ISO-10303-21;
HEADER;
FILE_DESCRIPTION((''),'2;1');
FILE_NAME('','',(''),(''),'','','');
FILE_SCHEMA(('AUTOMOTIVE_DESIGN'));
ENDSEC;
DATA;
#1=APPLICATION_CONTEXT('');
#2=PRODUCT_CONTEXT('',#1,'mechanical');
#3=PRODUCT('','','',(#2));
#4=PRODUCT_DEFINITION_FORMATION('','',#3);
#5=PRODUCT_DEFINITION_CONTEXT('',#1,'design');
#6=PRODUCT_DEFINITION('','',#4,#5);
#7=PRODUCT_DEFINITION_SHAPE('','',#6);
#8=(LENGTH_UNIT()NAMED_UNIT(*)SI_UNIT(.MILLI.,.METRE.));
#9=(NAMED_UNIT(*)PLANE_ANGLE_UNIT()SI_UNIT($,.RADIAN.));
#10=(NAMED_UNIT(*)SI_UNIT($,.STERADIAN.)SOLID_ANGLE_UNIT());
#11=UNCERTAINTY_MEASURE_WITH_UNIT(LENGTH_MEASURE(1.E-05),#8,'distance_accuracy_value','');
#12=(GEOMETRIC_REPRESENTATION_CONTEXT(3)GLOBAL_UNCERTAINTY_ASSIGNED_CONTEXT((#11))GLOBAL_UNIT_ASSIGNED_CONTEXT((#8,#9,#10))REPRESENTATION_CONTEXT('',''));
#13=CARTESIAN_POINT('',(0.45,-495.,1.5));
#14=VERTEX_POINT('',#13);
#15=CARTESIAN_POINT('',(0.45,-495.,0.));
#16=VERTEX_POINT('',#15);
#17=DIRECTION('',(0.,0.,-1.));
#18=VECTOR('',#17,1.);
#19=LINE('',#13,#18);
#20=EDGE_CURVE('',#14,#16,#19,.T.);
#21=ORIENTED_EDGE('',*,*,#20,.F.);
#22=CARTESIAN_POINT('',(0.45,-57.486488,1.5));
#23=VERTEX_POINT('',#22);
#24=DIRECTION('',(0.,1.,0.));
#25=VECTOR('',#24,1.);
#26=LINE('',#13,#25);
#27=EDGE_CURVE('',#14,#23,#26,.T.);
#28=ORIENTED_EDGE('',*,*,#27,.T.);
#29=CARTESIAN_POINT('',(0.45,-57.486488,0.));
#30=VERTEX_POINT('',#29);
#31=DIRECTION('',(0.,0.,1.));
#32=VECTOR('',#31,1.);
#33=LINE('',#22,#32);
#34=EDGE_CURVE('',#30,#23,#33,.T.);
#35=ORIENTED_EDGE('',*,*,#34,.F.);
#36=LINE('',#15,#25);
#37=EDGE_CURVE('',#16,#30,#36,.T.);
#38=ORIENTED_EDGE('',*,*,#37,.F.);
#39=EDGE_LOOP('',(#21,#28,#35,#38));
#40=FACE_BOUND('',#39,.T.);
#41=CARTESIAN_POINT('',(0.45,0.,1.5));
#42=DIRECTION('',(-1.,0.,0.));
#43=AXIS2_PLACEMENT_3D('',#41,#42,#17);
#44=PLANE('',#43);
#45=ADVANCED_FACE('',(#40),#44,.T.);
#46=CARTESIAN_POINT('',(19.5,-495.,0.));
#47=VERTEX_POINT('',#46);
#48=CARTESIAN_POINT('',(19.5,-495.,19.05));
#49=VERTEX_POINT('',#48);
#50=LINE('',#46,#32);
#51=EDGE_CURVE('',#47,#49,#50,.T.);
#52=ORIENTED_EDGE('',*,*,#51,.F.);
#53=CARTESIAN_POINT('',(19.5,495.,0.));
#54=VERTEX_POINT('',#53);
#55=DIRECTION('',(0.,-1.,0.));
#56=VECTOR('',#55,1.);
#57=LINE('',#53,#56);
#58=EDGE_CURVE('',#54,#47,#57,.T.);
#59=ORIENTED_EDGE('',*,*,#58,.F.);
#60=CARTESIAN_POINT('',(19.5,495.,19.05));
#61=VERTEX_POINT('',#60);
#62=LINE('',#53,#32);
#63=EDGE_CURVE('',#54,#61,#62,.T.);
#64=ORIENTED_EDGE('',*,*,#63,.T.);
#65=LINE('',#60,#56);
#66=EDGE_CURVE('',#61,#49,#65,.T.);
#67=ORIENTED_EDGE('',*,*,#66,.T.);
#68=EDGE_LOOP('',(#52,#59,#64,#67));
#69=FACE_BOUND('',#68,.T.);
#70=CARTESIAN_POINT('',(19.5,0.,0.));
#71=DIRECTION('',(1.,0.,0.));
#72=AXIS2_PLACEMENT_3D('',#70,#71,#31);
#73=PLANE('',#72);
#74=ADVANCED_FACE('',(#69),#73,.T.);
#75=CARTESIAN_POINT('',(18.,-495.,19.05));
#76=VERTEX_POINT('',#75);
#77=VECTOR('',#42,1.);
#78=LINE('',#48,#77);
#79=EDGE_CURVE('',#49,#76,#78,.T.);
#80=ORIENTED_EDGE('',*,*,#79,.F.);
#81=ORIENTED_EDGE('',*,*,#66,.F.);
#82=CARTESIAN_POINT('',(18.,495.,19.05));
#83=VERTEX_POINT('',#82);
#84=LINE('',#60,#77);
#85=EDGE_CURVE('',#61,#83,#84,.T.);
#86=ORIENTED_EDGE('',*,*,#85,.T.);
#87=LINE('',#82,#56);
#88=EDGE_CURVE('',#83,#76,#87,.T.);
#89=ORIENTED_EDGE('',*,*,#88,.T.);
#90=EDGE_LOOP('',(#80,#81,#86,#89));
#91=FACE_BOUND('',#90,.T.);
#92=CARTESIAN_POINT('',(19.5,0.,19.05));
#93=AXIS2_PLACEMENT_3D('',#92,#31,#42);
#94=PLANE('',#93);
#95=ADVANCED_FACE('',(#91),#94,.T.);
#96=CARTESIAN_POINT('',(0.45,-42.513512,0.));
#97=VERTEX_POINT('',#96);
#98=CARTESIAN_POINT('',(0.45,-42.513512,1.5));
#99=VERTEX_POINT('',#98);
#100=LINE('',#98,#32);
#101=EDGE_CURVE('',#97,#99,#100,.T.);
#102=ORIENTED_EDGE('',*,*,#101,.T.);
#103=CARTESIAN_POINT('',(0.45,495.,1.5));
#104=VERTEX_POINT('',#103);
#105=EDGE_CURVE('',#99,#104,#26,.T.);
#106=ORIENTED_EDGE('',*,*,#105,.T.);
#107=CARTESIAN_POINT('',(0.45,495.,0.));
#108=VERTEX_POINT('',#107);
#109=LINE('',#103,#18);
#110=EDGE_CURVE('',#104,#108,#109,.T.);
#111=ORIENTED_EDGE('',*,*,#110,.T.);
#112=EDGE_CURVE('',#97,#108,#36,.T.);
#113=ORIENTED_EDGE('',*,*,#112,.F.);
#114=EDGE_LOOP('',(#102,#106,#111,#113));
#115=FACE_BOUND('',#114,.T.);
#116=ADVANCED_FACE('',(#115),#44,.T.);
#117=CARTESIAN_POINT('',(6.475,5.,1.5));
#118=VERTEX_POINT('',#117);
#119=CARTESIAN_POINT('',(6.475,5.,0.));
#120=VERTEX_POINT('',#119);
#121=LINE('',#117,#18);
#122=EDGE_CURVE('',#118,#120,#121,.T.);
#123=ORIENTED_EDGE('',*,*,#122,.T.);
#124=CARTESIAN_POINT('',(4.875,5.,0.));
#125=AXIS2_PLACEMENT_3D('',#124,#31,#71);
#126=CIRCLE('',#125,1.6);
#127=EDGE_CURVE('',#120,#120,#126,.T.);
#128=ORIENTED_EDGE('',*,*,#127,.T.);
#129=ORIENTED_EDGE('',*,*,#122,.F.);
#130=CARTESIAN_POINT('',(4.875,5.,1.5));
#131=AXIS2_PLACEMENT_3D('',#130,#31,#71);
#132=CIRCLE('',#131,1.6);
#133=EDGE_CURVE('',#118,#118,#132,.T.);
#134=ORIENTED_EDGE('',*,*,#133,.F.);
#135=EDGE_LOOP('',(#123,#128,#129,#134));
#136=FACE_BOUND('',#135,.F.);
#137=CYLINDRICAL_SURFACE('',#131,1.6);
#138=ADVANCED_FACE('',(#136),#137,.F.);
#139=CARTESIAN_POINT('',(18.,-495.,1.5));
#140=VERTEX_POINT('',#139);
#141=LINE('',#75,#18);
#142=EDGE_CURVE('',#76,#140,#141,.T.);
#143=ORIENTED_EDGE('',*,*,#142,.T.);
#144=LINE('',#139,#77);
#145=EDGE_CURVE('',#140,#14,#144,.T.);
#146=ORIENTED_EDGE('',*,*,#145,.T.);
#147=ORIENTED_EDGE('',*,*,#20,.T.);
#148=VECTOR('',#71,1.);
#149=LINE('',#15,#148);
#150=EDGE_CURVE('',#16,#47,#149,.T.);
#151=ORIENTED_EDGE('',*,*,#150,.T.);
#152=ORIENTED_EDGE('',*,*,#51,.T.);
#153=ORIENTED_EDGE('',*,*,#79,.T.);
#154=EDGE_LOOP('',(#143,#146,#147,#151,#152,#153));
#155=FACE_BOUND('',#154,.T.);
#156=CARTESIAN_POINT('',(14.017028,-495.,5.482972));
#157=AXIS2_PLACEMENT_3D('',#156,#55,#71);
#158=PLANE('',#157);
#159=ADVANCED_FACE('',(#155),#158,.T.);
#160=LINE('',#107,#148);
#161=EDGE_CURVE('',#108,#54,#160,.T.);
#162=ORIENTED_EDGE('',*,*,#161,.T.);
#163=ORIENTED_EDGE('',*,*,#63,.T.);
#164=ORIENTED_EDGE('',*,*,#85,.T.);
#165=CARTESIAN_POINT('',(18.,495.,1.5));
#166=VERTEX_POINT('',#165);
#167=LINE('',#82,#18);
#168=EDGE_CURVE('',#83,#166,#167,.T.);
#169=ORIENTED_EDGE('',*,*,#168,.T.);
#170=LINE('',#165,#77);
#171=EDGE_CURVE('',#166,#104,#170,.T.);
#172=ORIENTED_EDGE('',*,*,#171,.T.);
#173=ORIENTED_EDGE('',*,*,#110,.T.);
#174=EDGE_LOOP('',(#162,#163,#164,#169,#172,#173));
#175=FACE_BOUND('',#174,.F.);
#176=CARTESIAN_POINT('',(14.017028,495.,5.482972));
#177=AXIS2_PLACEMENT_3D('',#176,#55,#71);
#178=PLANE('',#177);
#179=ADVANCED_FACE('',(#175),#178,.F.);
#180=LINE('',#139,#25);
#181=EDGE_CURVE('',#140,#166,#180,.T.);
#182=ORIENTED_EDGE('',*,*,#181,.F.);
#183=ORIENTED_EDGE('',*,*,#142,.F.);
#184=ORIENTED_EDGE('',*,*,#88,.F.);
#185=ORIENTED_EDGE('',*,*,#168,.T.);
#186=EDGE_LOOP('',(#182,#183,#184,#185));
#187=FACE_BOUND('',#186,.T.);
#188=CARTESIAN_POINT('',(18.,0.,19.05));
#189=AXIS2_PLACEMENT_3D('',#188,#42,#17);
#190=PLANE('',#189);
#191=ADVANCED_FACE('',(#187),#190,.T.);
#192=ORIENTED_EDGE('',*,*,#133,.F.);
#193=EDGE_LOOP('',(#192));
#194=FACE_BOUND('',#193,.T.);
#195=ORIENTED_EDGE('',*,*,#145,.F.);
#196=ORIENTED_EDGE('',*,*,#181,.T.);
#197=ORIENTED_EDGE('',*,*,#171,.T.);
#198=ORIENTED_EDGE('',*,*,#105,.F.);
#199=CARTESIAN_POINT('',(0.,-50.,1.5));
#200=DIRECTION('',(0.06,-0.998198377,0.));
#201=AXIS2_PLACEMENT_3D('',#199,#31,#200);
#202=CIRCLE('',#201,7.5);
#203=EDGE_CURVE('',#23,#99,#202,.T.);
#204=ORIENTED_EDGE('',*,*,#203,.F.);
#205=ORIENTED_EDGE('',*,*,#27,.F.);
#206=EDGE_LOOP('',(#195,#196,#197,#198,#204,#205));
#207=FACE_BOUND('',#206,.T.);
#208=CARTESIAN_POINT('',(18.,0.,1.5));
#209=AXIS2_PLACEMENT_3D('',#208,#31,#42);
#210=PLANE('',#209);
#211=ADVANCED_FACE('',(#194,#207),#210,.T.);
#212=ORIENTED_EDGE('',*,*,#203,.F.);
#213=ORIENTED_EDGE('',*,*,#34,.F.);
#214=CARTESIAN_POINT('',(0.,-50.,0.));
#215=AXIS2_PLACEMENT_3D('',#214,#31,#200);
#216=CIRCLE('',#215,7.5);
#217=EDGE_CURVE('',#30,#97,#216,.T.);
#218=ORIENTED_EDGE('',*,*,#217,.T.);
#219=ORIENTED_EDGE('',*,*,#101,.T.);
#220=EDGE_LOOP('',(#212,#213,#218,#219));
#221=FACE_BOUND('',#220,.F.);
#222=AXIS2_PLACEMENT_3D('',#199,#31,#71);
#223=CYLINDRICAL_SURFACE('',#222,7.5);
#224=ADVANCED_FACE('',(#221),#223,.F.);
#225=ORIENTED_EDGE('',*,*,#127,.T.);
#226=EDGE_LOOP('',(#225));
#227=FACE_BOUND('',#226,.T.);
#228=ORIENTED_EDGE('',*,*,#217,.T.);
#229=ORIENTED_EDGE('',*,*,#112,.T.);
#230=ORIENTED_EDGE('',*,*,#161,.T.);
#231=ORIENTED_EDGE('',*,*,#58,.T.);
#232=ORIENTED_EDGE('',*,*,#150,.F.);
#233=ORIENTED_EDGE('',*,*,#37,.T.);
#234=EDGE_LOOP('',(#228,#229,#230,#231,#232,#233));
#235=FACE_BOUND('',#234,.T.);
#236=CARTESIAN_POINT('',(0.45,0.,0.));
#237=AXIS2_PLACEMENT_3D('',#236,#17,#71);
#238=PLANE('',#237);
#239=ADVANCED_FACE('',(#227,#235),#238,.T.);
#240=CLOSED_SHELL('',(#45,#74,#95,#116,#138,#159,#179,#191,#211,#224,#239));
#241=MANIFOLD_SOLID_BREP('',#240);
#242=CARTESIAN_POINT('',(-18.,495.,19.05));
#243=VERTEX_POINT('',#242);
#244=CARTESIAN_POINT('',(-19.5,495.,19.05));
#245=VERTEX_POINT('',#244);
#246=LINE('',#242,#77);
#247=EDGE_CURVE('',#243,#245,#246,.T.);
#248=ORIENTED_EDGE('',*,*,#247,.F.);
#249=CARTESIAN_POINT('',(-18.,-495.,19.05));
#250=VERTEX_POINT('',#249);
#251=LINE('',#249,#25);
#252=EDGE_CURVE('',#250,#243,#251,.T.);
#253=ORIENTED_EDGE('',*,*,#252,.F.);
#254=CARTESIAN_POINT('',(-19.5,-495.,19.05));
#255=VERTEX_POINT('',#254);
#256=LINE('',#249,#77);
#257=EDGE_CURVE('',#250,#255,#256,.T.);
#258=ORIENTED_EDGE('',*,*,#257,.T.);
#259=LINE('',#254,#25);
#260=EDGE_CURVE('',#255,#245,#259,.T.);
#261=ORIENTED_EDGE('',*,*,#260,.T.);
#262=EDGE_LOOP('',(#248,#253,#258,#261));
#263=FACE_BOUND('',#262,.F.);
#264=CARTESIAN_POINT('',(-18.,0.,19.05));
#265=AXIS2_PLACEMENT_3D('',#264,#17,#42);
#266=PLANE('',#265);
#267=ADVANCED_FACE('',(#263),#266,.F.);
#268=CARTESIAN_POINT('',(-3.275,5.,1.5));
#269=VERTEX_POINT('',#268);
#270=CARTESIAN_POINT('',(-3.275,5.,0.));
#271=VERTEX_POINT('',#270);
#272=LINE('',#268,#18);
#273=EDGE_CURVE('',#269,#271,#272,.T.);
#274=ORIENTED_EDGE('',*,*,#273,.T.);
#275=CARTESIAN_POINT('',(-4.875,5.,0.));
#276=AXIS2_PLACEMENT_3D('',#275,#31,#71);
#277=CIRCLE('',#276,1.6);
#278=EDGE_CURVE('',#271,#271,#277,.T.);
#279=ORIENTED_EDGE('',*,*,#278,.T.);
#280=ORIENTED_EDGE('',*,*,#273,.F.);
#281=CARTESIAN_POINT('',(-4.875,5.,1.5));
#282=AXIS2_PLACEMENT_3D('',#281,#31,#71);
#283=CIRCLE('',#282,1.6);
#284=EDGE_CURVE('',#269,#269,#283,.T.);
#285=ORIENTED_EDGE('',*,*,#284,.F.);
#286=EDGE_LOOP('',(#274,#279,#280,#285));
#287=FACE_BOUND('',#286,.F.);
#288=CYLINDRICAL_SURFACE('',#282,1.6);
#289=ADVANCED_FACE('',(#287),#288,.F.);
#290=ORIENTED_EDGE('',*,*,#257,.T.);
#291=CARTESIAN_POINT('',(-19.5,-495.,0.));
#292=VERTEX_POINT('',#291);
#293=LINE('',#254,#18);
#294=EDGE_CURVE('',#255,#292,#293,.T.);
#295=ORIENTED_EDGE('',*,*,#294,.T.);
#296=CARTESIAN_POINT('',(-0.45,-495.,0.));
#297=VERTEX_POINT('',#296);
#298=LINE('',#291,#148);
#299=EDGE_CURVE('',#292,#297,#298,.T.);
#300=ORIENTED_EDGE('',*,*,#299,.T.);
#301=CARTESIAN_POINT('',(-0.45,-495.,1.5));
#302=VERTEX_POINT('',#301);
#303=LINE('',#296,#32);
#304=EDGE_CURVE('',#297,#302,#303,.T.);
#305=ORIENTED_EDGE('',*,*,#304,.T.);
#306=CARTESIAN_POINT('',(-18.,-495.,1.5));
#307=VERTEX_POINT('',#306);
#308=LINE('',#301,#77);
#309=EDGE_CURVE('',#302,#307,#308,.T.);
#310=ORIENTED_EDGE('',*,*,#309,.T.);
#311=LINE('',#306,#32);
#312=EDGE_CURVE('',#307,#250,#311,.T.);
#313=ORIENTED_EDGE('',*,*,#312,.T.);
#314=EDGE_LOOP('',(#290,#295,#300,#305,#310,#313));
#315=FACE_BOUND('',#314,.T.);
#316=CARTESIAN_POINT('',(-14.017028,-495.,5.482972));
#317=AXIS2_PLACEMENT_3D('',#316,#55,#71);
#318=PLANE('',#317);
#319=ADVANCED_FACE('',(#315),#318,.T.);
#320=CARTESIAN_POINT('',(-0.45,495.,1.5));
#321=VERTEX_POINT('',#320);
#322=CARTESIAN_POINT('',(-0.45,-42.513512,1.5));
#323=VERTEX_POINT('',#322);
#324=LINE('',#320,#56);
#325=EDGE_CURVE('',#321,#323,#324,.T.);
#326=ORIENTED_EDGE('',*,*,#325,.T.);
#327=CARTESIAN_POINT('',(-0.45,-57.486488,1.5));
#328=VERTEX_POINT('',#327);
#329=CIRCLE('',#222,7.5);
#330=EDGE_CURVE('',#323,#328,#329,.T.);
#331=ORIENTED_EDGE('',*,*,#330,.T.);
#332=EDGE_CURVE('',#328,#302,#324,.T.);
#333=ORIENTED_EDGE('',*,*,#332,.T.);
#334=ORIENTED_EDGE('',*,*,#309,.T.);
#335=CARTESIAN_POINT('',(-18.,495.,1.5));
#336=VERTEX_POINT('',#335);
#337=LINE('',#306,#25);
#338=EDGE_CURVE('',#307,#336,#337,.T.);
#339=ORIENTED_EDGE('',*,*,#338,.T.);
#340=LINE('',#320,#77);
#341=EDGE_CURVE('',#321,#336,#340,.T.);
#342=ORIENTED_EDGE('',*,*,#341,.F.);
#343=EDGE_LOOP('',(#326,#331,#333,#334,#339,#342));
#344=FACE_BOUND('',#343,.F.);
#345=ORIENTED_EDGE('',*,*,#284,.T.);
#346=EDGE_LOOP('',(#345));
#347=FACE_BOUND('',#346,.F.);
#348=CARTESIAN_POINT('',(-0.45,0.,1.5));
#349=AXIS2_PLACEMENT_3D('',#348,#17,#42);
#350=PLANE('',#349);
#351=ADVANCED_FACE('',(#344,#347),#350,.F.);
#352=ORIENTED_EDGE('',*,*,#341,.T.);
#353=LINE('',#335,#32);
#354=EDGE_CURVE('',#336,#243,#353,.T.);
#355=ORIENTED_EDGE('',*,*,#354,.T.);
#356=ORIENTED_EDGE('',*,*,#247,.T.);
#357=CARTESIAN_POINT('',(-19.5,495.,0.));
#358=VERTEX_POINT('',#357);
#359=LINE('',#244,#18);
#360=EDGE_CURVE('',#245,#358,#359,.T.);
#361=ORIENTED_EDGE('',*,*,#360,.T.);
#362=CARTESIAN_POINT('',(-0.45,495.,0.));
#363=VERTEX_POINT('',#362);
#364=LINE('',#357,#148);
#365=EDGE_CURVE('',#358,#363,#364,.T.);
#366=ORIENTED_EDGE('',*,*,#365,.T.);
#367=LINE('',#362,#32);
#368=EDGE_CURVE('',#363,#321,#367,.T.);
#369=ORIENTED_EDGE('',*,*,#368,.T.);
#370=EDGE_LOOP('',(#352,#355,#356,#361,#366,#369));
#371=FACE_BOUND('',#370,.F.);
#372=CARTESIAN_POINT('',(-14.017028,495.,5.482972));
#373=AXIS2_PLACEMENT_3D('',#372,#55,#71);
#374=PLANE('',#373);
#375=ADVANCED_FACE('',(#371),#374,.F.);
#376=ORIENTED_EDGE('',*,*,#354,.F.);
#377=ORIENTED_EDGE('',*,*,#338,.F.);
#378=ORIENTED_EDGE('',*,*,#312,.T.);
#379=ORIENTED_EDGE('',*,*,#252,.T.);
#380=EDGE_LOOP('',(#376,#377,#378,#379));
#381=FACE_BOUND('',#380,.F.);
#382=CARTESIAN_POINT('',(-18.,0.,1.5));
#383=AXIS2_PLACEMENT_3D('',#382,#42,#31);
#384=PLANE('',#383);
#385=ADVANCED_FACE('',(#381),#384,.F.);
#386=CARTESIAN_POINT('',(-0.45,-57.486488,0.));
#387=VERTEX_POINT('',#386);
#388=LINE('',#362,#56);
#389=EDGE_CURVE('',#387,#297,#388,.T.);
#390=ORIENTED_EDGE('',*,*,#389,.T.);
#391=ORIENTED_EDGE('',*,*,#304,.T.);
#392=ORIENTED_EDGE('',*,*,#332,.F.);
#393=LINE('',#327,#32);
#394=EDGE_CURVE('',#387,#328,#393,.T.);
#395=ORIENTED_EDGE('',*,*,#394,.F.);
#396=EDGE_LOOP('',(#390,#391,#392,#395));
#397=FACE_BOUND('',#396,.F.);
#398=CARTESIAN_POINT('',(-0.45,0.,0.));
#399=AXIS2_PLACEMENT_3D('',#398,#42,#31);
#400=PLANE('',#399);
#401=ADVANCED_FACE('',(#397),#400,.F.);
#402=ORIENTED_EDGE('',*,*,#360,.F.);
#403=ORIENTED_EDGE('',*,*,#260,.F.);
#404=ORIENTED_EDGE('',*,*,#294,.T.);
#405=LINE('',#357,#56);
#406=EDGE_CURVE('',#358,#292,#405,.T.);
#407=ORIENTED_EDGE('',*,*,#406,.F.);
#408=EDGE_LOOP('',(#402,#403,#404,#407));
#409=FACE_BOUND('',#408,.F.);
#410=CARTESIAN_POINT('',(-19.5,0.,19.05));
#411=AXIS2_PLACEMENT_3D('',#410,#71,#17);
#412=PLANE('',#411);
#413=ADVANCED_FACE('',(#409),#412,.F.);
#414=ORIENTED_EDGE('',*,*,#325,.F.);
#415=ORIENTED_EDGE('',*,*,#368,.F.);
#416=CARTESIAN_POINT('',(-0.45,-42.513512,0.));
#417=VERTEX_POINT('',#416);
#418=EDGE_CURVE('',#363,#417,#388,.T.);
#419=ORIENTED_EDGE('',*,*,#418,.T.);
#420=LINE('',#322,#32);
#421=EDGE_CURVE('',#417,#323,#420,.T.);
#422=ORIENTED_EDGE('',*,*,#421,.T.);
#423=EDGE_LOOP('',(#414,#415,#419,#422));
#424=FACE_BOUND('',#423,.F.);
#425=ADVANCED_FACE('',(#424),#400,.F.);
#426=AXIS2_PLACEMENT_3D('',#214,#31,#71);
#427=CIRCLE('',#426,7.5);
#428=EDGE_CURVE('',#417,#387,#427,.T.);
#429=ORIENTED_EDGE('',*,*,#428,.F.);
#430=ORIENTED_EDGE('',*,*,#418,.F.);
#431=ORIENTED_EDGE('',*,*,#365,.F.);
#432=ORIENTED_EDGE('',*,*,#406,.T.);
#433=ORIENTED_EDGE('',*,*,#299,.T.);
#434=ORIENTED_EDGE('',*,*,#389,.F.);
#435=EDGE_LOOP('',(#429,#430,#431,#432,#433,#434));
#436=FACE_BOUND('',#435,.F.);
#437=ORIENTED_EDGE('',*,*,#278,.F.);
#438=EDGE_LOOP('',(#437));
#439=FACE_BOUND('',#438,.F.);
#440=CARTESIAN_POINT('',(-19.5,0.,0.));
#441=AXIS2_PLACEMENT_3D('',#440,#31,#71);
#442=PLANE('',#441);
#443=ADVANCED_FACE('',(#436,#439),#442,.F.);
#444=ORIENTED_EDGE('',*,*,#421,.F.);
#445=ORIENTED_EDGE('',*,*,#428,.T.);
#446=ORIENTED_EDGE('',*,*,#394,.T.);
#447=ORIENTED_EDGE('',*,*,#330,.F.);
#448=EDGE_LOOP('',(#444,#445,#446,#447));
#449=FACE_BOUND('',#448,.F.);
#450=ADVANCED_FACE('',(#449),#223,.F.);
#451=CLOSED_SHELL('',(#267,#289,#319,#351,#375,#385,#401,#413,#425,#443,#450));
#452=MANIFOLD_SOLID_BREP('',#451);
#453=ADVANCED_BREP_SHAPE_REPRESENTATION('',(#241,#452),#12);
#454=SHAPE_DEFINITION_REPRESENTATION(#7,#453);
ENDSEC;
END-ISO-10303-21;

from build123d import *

# Parameters (mm, degrees)
F1_DEPTH = 495
F2_R     = 1.6
F3_DEPTH = 1.501
F4_R     = 7.5
F5_DEPTH = 1.501


with BuildPart() as f1:
    # F0 (on Front) → F1 (new body, symmetric)
    with BuildSketch(Plane.XZ):
        Polygon((-19.5, 19.05), (-19.5, 0), (-0.45, 0), (-0.45, 1.5), (-18, 1.5), (-18, 19.05), align=None)
        Polygon((0.45, 0), (19.5, 0), (19.5, 19.05), (18, 19.05), (18, 1.5), (0.45, 1.5), align=None)
    extrude(amount=F1_DEPTH, both=True)

    # F2 (on face) → F3 (cut, through all)
    with BuildSketch(Plane.XY.offset(1.5)):
        with Locations((-4.875, 5)):
            Circle(F2_R)
        with Locations((4.875, 5)):
            Circle(F2_R)
    extrude(amount=-F3_DEPTH, mode=Mode.SUBTRACT)

    # F4 (on face) → F5 (cut, through all)
    with BuildSketch(Plane.XY.offset(1.5)):
        with Locations((0, -50)):
            Circle(F4_R)
    extrude(amount=-F5_DEPTH, mode=Mode.SUBTRACT)


solid = f1.part
